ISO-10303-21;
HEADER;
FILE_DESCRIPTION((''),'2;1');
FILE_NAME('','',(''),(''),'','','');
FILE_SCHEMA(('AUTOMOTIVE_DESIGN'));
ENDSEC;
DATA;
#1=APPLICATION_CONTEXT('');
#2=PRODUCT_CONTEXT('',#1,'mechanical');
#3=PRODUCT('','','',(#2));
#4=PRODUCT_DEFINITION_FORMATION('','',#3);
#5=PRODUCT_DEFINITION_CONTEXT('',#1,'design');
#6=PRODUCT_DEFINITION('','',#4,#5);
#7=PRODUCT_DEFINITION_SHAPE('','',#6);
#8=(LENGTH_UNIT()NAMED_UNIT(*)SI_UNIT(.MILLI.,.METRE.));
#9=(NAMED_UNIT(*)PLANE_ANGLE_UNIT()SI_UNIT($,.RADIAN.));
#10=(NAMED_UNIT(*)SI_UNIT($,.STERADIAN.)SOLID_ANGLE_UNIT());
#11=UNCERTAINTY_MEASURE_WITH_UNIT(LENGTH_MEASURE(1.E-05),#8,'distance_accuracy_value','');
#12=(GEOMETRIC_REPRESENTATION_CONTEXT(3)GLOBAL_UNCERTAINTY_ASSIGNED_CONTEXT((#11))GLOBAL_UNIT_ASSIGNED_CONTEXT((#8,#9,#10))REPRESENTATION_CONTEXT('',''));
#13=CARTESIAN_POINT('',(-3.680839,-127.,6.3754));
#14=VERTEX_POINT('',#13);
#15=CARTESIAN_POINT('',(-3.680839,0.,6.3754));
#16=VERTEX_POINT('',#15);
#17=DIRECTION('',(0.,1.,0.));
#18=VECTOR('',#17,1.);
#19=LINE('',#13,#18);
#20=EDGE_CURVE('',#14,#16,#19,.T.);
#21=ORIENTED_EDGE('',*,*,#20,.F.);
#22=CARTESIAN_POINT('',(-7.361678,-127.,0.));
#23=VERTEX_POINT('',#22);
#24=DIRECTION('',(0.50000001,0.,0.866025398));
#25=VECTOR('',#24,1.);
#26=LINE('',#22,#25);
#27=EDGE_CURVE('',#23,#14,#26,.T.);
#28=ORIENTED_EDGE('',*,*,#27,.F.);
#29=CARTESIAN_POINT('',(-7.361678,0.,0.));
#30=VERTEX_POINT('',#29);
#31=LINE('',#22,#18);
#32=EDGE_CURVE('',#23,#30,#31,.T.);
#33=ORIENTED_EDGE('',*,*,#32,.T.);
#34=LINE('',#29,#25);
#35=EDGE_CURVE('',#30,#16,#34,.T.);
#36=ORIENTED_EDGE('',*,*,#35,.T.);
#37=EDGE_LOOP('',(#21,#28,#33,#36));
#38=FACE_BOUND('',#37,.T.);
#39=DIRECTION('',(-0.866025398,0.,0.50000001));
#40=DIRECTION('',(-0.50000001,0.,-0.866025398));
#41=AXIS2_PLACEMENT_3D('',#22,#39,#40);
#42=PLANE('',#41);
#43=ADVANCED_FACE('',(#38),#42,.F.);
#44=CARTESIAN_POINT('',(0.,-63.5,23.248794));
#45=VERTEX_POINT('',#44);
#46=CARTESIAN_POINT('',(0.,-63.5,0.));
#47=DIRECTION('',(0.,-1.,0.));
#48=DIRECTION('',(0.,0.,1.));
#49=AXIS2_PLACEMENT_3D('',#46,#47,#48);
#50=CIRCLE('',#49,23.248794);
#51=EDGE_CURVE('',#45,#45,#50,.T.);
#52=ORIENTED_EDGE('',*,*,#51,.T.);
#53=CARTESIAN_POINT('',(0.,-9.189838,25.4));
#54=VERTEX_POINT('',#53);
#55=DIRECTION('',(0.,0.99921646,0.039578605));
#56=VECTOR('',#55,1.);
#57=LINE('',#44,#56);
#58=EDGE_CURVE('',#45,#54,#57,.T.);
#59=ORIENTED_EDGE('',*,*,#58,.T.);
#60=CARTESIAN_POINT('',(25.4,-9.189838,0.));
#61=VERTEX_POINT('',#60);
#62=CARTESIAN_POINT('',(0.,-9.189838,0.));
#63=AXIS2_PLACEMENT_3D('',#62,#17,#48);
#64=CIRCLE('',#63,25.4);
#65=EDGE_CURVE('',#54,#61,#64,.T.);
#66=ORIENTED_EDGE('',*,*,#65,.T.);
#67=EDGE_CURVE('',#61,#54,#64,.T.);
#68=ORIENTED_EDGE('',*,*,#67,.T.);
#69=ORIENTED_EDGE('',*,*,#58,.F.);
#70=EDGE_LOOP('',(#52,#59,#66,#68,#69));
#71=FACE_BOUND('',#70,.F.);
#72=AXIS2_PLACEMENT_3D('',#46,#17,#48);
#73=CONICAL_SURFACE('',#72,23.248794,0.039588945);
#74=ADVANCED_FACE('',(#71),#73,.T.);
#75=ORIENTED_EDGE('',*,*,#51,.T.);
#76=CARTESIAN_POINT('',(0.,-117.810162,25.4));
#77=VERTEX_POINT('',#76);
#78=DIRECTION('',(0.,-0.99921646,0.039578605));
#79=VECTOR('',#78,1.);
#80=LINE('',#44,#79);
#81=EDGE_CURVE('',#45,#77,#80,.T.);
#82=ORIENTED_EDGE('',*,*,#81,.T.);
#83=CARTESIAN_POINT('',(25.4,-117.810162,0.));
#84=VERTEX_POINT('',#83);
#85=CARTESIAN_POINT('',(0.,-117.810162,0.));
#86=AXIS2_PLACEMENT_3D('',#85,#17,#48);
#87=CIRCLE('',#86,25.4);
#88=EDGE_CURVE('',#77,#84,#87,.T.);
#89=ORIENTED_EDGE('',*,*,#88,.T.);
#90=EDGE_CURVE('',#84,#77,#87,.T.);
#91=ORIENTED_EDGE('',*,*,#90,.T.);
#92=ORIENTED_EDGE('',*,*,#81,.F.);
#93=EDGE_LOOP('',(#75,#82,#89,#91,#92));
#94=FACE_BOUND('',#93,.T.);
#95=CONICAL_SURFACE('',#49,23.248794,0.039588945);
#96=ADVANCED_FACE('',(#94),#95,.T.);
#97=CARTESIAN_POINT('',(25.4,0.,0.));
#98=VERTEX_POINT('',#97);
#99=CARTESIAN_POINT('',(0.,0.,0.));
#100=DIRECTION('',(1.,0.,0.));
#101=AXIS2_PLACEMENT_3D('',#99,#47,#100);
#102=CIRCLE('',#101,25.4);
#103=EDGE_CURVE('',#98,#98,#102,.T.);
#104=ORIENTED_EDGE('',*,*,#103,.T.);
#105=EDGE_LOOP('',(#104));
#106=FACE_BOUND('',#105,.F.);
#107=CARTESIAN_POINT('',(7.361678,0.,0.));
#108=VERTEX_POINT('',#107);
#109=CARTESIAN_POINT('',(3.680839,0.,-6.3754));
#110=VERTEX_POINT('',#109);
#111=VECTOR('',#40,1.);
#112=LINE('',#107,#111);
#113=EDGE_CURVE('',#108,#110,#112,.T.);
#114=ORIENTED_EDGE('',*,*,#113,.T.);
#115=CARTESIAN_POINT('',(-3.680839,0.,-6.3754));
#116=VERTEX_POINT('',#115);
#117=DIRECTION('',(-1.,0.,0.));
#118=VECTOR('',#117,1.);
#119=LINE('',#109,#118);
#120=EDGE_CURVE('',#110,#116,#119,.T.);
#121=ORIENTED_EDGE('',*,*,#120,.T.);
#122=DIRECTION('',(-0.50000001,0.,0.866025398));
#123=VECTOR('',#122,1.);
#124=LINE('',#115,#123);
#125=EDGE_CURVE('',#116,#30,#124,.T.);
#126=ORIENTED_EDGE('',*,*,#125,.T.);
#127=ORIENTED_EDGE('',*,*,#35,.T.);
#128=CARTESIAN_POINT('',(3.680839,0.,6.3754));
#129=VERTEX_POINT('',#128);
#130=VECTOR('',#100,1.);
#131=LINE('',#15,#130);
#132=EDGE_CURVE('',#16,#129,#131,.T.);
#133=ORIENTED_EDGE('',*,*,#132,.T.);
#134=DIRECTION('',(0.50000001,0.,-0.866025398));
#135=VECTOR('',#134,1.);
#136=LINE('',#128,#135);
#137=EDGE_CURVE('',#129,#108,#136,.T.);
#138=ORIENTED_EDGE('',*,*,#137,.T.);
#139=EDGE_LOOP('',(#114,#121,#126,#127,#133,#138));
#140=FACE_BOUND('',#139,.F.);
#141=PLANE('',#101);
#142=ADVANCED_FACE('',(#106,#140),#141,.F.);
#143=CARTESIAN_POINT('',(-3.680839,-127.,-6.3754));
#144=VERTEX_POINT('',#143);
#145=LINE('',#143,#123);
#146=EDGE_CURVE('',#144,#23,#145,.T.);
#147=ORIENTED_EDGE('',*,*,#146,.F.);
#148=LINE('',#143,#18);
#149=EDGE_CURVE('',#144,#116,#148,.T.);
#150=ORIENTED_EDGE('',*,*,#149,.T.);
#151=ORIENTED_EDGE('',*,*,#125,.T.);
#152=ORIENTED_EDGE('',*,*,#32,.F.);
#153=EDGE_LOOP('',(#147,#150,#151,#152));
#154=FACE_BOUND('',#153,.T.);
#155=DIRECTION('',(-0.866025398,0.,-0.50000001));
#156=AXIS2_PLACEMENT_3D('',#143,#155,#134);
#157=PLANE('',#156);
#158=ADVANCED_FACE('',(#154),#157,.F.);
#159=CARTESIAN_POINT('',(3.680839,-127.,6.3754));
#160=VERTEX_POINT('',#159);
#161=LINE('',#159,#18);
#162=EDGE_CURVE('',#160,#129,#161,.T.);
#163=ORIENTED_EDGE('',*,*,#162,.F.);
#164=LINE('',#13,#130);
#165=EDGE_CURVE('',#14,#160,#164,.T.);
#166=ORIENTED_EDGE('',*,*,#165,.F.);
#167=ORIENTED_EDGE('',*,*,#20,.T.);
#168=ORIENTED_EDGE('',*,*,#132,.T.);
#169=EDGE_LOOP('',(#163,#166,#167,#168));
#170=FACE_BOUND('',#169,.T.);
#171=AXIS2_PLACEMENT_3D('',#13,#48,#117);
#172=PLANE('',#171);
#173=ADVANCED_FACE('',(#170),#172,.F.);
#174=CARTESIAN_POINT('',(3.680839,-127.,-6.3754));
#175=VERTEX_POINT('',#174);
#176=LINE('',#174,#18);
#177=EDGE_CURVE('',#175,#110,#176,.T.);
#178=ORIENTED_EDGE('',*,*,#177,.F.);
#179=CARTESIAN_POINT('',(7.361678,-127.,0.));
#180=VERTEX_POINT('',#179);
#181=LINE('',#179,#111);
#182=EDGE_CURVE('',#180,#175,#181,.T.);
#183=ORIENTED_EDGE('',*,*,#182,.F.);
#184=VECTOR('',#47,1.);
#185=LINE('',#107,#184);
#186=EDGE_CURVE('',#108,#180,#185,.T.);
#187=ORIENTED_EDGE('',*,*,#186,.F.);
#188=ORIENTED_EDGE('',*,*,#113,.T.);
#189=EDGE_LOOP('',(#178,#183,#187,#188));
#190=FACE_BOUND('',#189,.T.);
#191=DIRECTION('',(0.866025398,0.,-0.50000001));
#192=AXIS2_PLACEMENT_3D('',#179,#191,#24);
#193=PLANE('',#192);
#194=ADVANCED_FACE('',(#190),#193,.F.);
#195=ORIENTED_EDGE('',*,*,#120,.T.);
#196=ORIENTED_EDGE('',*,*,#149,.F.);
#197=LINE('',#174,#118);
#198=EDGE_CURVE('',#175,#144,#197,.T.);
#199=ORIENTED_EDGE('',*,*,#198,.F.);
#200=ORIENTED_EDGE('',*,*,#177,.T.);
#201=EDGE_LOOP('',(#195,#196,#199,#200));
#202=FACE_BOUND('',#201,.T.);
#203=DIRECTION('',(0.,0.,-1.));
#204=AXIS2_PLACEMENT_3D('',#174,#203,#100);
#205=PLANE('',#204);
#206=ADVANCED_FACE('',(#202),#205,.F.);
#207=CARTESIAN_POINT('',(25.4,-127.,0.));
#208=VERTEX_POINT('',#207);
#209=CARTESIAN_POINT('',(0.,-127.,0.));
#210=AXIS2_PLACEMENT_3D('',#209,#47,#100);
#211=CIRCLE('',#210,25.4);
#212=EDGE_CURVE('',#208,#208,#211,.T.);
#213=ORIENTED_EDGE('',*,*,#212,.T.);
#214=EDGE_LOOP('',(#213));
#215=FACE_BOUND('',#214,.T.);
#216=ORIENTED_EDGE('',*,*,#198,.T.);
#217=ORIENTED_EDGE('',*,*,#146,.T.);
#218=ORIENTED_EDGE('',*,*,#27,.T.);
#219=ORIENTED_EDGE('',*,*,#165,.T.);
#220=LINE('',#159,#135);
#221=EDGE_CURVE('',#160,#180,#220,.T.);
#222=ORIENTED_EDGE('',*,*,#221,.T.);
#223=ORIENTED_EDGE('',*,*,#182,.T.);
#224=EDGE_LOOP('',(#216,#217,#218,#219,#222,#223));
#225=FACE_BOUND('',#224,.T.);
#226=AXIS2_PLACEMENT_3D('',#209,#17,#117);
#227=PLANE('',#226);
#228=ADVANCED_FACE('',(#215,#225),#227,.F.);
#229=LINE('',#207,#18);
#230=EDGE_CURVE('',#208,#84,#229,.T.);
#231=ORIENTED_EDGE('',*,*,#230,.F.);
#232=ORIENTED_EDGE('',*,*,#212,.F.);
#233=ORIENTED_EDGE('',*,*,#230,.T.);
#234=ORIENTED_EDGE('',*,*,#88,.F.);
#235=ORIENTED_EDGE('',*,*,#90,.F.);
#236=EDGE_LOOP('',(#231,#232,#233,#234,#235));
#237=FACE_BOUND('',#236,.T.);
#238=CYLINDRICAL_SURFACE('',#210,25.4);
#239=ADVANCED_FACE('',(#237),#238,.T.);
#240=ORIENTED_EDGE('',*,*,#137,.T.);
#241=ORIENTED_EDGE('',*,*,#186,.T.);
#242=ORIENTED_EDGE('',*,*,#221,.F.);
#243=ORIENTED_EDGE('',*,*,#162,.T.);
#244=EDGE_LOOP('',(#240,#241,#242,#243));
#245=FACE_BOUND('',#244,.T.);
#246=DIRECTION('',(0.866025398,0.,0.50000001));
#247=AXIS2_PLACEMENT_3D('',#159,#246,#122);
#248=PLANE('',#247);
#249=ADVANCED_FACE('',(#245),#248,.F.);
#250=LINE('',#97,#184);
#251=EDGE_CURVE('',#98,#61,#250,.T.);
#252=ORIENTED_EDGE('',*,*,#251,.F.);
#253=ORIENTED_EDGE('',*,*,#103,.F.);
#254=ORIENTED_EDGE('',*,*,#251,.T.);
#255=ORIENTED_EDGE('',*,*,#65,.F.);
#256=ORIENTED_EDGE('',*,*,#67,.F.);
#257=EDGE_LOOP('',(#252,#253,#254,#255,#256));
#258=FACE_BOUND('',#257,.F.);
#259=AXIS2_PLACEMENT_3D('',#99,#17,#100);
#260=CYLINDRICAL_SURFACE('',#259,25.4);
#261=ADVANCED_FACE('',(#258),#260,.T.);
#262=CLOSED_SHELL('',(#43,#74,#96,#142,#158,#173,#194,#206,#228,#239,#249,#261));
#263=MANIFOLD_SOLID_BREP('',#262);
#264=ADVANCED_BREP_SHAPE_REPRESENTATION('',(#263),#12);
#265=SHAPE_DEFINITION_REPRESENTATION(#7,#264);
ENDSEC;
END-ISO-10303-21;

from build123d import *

# Parameters (mm, degrees)
F0_R     = 25.4
F1_DEPTH = 63.5


with BuildPart() as f1:
    # F0 (on Front) → F1 (new body)
    with BuildSketch(Plane.XZ):
        Circle(F0_R)
        Polygon((7.361678, 0), (3.680839, -6.3754), (-3.680839, -6.3754), (-7.361678, 0), (-3.680839, 6.3754), (3.680839, 6.3754), align=None, mode=Mode.SUBTRACT)
    extrude(amount=F1_DEPTH)

    # F2 (on Right) → F3 (revolve, cut)
    with BuildSketch(Plane.YZ):
        Polygon((-63.5, 25.606239), (-63.5, 23.248794), (-3.98305, 25.606239), align=None)
    revolve(axis=Axis((0, -31.75, 0), (0, -1, 0)), mode=Mode.SUBTRACT)

    # F5: F1 across plane


with BuildPart() as f1_1:
    add(f1.part)
    add(f1.part.mirror(Plane.XZ.offset(63.5)))


solid = f1_1.part
